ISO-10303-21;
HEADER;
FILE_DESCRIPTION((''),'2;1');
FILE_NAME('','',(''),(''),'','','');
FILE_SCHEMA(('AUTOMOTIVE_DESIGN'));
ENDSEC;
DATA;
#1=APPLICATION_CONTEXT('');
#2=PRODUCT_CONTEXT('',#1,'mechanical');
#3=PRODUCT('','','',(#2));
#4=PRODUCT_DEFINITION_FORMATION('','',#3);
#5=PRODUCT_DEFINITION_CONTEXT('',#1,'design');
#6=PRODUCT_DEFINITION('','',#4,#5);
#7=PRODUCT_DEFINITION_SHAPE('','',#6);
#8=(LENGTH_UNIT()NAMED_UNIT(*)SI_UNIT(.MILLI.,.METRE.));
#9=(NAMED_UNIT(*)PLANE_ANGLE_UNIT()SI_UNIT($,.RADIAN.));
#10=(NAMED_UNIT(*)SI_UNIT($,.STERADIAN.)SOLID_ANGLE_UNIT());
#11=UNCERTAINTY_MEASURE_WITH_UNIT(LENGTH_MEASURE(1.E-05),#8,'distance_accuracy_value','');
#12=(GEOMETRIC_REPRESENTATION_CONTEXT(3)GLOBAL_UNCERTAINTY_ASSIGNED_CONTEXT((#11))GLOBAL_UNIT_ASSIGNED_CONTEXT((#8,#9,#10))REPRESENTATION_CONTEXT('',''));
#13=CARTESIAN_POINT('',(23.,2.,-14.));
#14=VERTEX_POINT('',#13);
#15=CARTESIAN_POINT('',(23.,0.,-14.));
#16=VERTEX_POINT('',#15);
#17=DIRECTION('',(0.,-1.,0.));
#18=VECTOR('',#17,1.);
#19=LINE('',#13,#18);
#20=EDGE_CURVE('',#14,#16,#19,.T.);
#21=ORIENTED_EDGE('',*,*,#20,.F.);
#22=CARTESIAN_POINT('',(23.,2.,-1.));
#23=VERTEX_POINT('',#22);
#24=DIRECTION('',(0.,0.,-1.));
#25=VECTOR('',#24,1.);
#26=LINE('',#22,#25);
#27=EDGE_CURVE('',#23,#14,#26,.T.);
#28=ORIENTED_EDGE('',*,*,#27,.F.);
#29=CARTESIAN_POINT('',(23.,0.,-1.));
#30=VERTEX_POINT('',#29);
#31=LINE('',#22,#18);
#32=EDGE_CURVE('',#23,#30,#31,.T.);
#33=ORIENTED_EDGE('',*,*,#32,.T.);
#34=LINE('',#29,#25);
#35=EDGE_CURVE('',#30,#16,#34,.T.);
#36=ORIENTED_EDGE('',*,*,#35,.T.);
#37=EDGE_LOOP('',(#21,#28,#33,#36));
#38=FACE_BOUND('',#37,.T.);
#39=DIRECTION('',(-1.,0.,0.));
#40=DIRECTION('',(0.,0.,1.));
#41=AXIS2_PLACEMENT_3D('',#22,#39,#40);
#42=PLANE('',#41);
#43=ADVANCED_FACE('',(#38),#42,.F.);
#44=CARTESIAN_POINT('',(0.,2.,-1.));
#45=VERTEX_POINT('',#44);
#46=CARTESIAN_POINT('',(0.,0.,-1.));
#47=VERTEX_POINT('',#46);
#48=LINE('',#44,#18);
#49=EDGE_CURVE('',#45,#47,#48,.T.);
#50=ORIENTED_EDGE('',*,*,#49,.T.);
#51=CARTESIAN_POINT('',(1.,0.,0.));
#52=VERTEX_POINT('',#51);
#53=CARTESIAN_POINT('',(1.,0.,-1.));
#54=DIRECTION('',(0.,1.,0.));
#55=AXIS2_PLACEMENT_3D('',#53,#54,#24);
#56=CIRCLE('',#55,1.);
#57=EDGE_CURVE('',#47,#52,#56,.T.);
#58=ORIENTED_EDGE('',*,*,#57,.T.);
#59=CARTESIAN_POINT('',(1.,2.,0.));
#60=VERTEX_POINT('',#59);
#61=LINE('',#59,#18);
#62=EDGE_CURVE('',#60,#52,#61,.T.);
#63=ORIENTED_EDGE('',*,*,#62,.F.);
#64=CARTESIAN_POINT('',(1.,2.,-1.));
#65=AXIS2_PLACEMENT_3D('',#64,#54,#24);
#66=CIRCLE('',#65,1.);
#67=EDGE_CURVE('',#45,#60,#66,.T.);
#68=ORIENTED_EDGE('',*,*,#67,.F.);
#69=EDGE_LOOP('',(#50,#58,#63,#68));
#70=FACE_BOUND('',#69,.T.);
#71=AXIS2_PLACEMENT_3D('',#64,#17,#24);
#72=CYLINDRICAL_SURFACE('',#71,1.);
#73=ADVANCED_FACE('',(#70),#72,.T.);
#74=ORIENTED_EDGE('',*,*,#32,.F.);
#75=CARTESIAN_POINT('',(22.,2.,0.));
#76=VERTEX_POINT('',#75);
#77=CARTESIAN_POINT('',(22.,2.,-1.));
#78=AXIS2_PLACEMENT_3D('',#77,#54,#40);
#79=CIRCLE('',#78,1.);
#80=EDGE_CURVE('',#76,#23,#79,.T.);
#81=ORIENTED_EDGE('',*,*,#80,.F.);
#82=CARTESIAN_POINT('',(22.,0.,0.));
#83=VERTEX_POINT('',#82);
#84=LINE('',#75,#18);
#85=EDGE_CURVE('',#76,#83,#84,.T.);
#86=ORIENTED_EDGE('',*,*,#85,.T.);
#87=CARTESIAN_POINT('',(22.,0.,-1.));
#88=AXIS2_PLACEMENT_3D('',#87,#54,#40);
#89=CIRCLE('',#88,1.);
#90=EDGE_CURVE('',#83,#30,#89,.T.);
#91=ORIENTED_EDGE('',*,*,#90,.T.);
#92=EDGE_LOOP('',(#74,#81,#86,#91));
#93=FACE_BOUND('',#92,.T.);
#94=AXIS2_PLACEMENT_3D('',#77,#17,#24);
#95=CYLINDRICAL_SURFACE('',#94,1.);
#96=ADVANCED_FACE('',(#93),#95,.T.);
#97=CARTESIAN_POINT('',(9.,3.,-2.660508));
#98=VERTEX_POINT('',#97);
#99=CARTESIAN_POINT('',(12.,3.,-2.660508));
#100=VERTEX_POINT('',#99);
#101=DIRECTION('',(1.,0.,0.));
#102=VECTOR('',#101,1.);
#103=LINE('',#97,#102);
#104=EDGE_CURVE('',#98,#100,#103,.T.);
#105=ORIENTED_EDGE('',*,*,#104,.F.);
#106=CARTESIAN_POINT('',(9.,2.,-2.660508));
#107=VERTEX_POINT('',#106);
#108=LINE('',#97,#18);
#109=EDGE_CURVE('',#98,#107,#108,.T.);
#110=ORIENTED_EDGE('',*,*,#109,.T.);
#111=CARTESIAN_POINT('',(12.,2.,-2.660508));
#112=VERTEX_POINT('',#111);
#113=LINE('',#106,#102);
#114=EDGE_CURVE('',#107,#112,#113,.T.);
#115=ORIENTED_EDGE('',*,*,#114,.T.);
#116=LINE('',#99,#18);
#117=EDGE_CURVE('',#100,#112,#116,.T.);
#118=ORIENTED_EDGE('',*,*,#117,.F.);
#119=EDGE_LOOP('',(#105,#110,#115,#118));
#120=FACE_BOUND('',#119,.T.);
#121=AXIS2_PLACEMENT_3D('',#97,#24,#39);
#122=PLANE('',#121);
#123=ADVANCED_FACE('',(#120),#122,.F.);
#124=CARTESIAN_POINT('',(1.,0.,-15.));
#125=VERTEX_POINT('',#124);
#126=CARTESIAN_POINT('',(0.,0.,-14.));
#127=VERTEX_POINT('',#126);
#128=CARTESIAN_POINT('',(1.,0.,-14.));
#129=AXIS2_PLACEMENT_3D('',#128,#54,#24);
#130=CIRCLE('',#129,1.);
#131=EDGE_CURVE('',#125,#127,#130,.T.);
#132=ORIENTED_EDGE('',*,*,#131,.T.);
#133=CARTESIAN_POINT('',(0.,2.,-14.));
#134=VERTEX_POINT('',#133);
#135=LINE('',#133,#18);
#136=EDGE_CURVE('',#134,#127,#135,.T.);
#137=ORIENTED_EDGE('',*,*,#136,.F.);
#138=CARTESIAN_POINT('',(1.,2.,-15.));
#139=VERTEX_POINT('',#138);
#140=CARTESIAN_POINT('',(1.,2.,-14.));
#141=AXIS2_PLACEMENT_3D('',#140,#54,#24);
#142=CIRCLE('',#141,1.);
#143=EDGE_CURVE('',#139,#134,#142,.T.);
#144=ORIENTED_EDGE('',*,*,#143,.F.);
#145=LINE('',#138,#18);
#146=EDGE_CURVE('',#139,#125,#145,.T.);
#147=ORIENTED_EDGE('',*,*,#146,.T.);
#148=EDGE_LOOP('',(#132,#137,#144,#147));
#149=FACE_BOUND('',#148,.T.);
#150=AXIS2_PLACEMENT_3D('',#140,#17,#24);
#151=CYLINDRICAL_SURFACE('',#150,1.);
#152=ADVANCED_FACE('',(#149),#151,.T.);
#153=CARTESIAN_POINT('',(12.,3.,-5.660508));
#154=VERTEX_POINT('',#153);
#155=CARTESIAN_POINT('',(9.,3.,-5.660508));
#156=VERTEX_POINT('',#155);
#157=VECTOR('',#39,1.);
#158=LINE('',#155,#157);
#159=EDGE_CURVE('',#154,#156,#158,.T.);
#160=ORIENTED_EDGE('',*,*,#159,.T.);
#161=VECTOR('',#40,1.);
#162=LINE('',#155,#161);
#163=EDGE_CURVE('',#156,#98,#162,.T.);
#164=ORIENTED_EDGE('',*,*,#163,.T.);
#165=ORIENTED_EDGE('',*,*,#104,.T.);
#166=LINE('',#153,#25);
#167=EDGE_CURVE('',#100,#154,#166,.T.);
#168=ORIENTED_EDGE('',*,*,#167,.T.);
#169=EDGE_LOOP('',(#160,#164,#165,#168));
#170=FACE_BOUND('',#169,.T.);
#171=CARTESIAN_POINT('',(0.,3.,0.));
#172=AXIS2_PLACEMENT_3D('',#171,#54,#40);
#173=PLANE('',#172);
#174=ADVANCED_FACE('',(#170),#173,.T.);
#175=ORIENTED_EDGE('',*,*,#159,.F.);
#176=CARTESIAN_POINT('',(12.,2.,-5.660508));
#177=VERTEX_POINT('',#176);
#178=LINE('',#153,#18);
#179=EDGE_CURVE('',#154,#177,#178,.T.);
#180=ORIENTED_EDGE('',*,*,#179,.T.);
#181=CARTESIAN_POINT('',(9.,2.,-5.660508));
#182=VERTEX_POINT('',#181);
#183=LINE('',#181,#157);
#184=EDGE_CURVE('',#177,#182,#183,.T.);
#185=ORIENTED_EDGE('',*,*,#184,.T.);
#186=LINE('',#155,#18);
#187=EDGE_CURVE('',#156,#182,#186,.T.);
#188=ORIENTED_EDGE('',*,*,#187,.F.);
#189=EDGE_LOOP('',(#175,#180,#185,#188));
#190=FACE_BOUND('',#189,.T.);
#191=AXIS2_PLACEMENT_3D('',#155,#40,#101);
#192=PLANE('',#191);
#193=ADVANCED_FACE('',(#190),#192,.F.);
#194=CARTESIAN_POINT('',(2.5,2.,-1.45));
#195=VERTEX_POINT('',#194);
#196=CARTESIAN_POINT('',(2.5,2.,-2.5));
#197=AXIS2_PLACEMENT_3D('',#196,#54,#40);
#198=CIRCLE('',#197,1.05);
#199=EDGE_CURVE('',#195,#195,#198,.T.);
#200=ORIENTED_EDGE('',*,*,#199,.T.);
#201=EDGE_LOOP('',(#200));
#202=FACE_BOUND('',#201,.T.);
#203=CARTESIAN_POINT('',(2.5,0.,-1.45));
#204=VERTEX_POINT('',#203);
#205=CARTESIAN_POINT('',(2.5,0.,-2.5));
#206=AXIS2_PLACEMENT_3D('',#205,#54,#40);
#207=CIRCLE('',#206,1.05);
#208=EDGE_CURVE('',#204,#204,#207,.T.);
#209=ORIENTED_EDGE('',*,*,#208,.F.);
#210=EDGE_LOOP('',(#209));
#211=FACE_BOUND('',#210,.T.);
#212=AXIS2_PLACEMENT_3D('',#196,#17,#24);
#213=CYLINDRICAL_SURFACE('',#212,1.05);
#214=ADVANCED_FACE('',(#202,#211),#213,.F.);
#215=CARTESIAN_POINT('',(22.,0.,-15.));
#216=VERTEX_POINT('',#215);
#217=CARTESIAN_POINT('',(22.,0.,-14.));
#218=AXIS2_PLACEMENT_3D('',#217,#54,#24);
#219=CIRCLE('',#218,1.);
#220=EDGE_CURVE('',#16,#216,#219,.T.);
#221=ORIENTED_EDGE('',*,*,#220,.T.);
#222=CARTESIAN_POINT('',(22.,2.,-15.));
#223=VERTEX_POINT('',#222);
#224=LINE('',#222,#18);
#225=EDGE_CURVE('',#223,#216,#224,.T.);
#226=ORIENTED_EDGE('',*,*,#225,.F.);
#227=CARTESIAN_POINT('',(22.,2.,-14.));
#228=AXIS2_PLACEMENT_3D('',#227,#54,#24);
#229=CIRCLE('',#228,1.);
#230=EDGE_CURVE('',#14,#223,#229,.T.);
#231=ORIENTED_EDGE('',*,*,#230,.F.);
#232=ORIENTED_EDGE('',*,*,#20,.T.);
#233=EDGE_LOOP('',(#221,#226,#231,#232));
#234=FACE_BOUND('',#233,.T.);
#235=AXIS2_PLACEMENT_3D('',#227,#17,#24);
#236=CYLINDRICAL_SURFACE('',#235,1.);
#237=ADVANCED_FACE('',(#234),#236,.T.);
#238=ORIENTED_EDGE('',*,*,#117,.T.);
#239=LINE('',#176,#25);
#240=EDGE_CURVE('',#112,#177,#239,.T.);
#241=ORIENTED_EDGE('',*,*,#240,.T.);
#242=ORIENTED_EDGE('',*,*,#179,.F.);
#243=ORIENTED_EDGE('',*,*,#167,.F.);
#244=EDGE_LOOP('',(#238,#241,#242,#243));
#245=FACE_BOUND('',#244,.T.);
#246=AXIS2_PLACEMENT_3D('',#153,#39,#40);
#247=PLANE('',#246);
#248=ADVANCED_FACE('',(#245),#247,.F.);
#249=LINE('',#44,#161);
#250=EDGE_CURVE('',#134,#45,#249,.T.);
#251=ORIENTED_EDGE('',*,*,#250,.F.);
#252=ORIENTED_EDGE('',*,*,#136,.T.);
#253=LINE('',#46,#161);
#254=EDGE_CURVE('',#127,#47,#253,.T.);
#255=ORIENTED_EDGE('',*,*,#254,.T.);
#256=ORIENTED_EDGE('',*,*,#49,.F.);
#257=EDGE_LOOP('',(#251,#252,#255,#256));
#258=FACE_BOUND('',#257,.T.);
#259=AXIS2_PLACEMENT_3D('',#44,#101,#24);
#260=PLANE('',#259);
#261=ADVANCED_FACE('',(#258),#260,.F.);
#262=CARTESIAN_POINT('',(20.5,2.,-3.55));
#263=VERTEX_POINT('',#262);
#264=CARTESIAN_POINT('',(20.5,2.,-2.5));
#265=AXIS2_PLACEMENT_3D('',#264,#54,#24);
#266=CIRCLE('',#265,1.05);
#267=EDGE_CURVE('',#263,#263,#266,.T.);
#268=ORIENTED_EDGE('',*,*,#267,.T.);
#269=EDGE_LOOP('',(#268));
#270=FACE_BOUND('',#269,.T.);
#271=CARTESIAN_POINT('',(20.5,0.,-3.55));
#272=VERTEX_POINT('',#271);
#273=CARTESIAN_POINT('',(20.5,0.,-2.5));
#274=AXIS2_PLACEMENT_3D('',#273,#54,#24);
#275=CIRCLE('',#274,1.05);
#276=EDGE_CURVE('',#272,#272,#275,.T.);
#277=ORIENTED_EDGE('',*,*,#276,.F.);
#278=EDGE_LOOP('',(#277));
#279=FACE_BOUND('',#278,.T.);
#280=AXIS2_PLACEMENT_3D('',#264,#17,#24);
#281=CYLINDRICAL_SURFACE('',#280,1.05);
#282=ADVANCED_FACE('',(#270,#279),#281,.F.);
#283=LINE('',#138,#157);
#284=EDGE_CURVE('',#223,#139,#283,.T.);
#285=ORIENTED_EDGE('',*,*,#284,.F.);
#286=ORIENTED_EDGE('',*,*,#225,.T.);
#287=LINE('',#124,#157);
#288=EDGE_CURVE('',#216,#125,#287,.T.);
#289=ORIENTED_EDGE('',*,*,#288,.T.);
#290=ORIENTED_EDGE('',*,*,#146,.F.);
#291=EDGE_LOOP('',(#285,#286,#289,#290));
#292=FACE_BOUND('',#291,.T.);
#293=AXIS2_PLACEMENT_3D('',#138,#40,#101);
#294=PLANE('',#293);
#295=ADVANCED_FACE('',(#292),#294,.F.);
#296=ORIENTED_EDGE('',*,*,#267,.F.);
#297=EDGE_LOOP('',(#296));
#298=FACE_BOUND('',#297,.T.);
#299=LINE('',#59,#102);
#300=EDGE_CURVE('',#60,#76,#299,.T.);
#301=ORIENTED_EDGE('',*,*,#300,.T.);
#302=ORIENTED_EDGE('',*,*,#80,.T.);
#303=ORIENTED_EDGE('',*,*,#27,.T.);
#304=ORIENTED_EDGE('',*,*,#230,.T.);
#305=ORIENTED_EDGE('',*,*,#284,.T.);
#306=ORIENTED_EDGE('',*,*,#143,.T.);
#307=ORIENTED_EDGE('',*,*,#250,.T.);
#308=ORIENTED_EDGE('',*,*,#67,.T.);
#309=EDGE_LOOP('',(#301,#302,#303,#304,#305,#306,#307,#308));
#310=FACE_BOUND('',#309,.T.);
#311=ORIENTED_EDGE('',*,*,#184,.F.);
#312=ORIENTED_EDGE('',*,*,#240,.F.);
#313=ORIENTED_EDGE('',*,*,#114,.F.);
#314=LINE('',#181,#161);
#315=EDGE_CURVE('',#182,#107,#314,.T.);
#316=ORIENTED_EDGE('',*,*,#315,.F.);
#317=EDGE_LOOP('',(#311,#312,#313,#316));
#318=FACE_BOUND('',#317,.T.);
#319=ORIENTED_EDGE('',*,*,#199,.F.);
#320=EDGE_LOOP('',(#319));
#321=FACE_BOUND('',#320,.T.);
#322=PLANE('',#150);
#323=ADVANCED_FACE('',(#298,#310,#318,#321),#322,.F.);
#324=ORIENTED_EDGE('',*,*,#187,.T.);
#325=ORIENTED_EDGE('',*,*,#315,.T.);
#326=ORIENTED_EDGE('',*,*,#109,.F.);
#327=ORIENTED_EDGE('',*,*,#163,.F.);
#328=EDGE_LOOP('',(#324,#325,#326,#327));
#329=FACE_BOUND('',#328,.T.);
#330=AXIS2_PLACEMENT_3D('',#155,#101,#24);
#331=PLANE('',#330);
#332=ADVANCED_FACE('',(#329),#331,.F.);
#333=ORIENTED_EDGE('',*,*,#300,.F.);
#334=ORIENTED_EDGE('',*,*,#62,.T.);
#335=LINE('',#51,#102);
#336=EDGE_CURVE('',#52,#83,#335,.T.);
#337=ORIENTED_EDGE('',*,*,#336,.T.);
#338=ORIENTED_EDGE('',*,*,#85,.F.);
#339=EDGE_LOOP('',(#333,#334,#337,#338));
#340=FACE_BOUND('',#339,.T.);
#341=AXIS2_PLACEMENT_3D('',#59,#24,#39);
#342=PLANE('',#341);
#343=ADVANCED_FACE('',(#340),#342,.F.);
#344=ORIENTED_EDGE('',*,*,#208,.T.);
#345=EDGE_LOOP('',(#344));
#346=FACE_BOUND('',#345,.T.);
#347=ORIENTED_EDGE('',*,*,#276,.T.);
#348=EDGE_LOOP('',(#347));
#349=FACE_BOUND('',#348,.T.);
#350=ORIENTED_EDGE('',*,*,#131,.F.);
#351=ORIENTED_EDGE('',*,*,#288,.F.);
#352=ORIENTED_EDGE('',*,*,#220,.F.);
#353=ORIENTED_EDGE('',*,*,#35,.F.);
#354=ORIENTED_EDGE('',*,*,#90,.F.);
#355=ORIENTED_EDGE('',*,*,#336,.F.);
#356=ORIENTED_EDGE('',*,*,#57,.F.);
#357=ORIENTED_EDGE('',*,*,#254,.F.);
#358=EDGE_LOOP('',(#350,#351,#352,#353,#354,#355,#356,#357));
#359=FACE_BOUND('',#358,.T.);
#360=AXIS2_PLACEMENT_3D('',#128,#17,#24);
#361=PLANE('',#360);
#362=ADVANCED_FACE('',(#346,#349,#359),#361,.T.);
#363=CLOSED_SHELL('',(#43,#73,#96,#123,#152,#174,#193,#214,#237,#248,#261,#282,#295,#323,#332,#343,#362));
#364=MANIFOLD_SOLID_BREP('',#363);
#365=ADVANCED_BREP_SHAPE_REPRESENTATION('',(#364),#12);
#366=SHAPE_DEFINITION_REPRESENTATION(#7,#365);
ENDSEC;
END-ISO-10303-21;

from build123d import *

# Parameters (mm, degrees)
SKETCH_1_R      = 1.05
EXTRUDE_1_DEPTH = 2
SKETCH_2_W      = 3
SKETCH_2_H      = 3
EXTRUDE_2_DEPTH = 1


with BuildPart() as part:
    # 草图1 → 凸台-拉伸1 (new body)
    with BuildSketch(Plane(origin=(0, 0, 0), x_dir=(1, 0, 0), z_dir=(0, 1, 0))):
        with BuildLine():
            Line((1, 0), (22, 0))
            ThreePointArc((22, 0), (22.707106781, 0.292893219), (23, 1))
            Line((23, 1), (23, 14))
            ThreePointArc((23, 14), (22.707106781, 14.707106781), (22, 15))
            Line((22, 15), (1, 15))
            ThreePointArc((1, 15), (0.292893219, 14.707106781), (0, 14))
            Line((0, 14), (0, 1))
            ThreePointArc((0, 1), (0.292893219, 0.292893219), (1, 0))
        make_face()
        with Locations(Location((2.5, 2.5, 0), (0, 0, 270))):
            Circle(SKETCH_1_R, mode=Mode.SUBTRACT)
        with Locations(Location((20.5, 2.5, 0), (0, 0, 90))):
            Circle(SKETCH_1_R, mode=Mode.SUBTRACT)
    extrude(amount=EXTRUDE_1_DEPTH)

    # 草图2 → 凸台-拉伸2 (add)
    with BuildSketch(Plane(origin=(0, 2, 0), x_dir=(1, 0, 0), z_dir=(0, 1, 0))):
        with Locations((10.5, 4.160508355)):
            Rectangle(SKETCH_2_W, SKETCH_2_H)
    extrude(amount=EXTRUDE_2_DEPTH)


solid = part.part
